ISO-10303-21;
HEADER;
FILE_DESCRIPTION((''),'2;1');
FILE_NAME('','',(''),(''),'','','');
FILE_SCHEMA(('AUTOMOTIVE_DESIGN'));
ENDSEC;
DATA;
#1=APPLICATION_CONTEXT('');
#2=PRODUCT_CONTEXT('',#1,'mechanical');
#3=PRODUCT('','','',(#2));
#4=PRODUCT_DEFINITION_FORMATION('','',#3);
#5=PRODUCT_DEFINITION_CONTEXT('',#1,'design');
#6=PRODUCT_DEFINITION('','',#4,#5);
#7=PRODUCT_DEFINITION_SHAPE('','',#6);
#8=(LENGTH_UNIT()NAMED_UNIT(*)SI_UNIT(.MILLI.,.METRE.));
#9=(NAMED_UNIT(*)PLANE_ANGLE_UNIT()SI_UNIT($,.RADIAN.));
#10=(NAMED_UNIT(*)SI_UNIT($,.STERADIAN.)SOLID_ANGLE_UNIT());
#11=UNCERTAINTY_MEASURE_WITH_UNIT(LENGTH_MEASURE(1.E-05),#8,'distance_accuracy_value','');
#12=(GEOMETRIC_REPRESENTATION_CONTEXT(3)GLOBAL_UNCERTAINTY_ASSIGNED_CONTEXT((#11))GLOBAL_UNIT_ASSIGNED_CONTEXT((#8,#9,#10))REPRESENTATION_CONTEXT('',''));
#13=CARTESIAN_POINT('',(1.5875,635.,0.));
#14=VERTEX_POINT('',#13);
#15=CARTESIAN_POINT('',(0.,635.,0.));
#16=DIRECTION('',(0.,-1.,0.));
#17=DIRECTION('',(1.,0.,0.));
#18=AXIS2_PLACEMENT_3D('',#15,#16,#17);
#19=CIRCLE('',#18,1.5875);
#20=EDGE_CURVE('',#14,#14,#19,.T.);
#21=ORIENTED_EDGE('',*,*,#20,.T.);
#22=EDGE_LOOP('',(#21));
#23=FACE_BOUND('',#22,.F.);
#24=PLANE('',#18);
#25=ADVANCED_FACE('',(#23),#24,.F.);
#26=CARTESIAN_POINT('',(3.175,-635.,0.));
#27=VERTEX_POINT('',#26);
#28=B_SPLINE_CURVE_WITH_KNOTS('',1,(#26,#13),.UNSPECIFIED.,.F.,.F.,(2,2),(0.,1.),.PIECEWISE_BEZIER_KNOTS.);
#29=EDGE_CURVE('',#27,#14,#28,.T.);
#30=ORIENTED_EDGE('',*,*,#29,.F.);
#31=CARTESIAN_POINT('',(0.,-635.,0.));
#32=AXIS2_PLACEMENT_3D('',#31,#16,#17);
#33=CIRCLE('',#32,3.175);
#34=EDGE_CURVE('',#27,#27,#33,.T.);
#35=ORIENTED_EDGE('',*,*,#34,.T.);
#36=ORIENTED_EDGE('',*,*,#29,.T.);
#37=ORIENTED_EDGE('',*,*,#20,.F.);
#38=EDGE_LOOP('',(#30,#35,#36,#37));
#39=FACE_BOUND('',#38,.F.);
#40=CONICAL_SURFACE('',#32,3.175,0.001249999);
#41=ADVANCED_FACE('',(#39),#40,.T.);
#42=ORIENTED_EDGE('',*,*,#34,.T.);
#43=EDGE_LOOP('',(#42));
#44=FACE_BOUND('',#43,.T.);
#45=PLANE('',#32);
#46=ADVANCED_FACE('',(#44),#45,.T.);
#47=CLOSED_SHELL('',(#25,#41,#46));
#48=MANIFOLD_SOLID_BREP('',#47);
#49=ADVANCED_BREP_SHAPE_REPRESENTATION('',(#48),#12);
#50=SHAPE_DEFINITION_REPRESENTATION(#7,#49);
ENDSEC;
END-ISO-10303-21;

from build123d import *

# Parameters (mm, degrees)
F2_R = 3.175
F3_R = 1.5875


with BuildPart() as f4:
    # F2 (on offset) → F4 section 0
    with BuildSketch(Plane.XZ.offset(635)):
        Circle(F2_R)
    # F3 (on offset) → F4 section 1
    with BuildSketch(Plane.XZ.offset(-635)):
        Circle(F3_R)
    loft()


solid = f4.part
